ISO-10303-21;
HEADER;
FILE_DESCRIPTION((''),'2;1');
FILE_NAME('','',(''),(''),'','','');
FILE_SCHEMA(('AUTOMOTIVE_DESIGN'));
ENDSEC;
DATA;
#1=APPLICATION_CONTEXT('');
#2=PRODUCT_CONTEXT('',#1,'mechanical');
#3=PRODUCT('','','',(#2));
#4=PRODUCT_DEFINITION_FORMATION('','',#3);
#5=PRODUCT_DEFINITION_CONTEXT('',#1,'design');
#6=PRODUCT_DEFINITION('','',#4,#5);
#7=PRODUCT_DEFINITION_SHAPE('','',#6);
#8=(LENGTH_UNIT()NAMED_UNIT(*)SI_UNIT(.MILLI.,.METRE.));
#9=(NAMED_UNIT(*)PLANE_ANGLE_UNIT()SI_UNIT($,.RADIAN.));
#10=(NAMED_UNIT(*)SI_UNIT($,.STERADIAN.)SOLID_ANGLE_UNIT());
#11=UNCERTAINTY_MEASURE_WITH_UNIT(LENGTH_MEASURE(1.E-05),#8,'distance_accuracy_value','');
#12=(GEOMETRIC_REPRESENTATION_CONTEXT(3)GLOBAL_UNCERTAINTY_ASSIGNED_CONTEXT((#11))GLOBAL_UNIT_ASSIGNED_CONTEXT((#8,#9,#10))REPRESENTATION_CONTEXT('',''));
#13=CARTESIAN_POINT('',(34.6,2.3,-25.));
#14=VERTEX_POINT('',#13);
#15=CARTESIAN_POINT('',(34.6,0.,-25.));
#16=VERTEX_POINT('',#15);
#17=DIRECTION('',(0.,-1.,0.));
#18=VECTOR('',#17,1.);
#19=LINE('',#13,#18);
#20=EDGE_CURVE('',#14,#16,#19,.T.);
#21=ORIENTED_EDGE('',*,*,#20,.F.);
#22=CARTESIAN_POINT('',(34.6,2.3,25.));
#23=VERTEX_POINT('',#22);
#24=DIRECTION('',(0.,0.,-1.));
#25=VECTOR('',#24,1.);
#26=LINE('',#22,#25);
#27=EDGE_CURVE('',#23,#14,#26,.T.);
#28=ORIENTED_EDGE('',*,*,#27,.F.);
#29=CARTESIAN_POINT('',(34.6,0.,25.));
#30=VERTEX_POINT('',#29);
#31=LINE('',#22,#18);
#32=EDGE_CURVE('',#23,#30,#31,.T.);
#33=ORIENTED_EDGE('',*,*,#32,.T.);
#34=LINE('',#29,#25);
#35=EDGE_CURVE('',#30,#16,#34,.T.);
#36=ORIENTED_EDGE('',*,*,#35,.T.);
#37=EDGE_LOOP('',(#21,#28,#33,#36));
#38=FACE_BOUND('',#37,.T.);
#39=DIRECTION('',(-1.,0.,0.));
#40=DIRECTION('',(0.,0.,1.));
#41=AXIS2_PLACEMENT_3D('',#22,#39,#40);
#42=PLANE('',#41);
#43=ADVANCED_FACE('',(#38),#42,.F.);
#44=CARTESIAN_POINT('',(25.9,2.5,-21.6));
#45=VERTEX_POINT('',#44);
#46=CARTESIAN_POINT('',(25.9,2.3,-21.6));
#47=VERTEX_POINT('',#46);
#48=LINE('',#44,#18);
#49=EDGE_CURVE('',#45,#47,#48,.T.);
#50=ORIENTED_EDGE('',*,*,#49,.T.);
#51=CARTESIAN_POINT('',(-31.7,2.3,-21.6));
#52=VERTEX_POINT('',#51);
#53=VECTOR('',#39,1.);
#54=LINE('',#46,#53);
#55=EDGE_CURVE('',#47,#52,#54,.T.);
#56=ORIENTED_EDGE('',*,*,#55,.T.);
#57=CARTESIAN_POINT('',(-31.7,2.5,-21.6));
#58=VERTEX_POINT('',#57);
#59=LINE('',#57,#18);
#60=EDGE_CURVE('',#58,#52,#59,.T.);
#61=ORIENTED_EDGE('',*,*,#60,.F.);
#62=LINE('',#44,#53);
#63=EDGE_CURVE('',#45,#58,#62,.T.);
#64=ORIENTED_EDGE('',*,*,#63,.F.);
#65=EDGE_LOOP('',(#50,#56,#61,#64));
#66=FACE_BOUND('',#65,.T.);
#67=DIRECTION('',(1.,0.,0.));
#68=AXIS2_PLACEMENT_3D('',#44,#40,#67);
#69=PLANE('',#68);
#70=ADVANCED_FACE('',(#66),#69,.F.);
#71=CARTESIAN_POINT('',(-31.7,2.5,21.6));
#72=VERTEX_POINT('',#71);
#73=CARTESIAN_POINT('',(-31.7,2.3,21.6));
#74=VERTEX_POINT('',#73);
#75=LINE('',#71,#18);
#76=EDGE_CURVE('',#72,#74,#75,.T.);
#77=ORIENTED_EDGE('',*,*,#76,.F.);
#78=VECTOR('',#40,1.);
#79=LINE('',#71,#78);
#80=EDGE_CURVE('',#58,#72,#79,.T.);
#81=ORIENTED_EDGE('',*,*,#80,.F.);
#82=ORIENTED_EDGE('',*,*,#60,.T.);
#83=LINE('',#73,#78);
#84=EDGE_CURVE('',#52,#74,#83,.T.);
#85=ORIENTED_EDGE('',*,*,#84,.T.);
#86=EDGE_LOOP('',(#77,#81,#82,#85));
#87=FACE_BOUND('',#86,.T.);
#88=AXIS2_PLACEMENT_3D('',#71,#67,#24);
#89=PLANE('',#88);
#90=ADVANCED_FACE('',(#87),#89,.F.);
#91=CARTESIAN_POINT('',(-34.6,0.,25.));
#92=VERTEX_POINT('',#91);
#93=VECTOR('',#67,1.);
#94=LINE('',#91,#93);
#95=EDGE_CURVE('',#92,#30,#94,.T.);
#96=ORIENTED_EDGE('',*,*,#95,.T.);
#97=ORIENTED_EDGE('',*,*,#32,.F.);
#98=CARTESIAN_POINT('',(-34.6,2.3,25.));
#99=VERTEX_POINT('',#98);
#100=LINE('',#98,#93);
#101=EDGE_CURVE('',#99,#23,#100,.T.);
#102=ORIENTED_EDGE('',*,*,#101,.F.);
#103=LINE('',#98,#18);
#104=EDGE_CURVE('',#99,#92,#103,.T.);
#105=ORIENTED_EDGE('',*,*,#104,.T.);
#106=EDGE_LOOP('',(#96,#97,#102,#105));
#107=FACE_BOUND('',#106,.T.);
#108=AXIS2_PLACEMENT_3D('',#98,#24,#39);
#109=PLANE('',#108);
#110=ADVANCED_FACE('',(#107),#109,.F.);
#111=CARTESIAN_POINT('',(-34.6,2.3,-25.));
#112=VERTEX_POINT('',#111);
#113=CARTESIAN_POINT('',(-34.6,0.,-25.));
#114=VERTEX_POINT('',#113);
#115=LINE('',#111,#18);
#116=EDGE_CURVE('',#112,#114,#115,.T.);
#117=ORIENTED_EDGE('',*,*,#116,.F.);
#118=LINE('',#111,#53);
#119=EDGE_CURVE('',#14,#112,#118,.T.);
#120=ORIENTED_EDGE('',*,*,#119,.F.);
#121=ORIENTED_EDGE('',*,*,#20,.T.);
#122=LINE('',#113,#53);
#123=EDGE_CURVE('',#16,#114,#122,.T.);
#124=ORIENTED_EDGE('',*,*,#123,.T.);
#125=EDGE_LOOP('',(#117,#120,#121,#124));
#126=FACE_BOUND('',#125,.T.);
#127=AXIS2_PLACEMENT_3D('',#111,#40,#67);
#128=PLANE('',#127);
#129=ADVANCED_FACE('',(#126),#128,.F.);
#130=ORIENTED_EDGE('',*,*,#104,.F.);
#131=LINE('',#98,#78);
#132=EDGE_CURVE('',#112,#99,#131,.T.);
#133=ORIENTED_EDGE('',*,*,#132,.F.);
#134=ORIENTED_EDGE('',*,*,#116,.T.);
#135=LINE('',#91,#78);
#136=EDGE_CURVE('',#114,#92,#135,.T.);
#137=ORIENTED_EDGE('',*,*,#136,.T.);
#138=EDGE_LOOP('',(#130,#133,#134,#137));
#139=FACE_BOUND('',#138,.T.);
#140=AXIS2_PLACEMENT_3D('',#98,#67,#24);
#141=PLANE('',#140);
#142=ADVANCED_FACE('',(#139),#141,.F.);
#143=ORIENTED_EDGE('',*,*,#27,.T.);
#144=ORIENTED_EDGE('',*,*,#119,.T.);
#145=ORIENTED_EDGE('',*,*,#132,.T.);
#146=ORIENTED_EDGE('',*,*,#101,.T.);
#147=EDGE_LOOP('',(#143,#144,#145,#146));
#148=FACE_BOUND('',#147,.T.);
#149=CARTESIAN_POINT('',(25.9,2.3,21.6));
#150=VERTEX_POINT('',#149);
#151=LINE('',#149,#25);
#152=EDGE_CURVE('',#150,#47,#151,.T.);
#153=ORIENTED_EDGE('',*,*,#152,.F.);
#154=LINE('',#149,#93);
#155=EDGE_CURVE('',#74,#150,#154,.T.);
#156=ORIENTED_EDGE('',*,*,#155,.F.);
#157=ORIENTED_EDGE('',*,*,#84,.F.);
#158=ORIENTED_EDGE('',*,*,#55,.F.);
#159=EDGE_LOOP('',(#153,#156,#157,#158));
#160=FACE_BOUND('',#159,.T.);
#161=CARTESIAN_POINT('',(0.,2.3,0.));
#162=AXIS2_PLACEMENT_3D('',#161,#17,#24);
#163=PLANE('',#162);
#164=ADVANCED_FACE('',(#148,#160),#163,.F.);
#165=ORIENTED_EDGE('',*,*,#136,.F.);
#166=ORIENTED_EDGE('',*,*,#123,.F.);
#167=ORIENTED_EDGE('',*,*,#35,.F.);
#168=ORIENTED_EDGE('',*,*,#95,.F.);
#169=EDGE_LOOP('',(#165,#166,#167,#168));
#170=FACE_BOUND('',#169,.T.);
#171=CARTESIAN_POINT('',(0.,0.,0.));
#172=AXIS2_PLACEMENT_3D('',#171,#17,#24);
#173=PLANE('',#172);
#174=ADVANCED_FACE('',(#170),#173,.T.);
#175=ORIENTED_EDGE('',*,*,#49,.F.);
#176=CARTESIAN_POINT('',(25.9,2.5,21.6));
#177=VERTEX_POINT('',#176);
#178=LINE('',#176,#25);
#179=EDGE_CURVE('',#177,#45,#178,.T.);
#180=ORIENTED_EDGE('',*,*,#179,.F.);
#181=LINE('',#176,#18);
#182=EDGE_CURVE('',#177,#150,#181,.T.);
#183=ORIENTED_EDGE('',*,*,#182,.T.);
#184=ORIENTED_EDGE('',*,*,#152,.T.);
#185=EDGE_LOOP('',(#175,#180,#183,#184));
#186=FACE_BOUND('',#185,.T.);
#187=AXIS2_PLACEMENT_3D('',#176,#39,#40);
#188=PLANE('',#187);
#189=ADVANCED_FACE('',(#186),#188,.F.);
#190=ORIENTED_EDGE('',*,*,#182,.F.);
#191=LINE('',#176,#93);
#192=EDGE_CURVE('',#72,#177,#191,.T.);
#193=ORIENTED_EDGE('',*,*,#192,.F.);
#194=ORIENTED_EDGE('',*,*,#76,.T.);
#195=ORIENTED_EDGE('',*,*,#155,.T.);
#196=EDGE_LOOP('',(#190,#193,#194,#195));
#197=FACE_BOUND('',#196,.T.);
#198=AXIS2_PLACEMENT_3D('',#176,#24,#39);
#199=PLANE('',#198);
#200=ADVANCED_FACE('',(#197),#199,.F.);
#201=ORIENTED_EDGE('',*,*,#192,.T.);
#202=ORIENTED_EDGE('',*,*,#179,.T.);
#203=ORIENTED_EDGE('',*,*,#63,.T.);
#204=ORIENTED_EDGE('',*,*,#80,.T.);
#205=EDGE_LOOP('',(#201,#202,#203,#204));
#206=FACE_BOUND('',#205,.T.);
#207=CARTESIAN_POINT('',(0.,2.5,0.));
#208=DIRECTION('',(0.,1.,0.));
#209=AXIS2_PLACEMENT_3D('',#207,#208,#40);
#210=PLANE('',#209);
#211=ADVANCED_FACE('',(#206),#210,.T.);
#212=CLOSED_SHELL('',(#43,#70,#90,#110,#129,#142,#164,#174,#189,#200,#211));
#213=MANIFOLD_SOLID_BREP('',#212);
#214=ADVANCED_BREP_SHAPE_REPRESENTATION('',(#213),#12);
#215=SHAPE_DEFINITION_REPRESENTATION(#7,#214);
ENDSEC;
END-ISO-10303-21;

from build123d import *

# Parameters (mm, degrees)
SKETCH_1_W      = 69.2
SKETCH_1_H      = 50
EXTRUDE_1_DEPTH = 2.3
SKETCH_2_W      = 57.6
SKETCH_2_H      = 43.2
EXTRUDE_2_DEPTH = 0.2


with BuildPart() as part:
    # 草图1 → 凸台-拉伸1 (new body)
    with BuildSketch(Plane(origin=(0, 0, 0), x_dir=(1, 0, 0), z_dir=(0, 1, 0))):
        Rectangle(SKETCH_1_W, SKETCH_1_H)
    extrude(amount=EXTRUDE_1_DEPTH)

    # 草图2 → 凸台-拉伸2 (add)
    with BuildSketch(Plane(origin=(0, 2.3, 0), x_dir=(1, 0, 0), z_dir=(0, 1, 0))):
        with Locations((-2.9, 0)):
            Rectangle(SKETCH_2_W, SKETCH_2_H)
    extrude(amount=EXTRUDE_2_DEPTH)


solid = part.part
